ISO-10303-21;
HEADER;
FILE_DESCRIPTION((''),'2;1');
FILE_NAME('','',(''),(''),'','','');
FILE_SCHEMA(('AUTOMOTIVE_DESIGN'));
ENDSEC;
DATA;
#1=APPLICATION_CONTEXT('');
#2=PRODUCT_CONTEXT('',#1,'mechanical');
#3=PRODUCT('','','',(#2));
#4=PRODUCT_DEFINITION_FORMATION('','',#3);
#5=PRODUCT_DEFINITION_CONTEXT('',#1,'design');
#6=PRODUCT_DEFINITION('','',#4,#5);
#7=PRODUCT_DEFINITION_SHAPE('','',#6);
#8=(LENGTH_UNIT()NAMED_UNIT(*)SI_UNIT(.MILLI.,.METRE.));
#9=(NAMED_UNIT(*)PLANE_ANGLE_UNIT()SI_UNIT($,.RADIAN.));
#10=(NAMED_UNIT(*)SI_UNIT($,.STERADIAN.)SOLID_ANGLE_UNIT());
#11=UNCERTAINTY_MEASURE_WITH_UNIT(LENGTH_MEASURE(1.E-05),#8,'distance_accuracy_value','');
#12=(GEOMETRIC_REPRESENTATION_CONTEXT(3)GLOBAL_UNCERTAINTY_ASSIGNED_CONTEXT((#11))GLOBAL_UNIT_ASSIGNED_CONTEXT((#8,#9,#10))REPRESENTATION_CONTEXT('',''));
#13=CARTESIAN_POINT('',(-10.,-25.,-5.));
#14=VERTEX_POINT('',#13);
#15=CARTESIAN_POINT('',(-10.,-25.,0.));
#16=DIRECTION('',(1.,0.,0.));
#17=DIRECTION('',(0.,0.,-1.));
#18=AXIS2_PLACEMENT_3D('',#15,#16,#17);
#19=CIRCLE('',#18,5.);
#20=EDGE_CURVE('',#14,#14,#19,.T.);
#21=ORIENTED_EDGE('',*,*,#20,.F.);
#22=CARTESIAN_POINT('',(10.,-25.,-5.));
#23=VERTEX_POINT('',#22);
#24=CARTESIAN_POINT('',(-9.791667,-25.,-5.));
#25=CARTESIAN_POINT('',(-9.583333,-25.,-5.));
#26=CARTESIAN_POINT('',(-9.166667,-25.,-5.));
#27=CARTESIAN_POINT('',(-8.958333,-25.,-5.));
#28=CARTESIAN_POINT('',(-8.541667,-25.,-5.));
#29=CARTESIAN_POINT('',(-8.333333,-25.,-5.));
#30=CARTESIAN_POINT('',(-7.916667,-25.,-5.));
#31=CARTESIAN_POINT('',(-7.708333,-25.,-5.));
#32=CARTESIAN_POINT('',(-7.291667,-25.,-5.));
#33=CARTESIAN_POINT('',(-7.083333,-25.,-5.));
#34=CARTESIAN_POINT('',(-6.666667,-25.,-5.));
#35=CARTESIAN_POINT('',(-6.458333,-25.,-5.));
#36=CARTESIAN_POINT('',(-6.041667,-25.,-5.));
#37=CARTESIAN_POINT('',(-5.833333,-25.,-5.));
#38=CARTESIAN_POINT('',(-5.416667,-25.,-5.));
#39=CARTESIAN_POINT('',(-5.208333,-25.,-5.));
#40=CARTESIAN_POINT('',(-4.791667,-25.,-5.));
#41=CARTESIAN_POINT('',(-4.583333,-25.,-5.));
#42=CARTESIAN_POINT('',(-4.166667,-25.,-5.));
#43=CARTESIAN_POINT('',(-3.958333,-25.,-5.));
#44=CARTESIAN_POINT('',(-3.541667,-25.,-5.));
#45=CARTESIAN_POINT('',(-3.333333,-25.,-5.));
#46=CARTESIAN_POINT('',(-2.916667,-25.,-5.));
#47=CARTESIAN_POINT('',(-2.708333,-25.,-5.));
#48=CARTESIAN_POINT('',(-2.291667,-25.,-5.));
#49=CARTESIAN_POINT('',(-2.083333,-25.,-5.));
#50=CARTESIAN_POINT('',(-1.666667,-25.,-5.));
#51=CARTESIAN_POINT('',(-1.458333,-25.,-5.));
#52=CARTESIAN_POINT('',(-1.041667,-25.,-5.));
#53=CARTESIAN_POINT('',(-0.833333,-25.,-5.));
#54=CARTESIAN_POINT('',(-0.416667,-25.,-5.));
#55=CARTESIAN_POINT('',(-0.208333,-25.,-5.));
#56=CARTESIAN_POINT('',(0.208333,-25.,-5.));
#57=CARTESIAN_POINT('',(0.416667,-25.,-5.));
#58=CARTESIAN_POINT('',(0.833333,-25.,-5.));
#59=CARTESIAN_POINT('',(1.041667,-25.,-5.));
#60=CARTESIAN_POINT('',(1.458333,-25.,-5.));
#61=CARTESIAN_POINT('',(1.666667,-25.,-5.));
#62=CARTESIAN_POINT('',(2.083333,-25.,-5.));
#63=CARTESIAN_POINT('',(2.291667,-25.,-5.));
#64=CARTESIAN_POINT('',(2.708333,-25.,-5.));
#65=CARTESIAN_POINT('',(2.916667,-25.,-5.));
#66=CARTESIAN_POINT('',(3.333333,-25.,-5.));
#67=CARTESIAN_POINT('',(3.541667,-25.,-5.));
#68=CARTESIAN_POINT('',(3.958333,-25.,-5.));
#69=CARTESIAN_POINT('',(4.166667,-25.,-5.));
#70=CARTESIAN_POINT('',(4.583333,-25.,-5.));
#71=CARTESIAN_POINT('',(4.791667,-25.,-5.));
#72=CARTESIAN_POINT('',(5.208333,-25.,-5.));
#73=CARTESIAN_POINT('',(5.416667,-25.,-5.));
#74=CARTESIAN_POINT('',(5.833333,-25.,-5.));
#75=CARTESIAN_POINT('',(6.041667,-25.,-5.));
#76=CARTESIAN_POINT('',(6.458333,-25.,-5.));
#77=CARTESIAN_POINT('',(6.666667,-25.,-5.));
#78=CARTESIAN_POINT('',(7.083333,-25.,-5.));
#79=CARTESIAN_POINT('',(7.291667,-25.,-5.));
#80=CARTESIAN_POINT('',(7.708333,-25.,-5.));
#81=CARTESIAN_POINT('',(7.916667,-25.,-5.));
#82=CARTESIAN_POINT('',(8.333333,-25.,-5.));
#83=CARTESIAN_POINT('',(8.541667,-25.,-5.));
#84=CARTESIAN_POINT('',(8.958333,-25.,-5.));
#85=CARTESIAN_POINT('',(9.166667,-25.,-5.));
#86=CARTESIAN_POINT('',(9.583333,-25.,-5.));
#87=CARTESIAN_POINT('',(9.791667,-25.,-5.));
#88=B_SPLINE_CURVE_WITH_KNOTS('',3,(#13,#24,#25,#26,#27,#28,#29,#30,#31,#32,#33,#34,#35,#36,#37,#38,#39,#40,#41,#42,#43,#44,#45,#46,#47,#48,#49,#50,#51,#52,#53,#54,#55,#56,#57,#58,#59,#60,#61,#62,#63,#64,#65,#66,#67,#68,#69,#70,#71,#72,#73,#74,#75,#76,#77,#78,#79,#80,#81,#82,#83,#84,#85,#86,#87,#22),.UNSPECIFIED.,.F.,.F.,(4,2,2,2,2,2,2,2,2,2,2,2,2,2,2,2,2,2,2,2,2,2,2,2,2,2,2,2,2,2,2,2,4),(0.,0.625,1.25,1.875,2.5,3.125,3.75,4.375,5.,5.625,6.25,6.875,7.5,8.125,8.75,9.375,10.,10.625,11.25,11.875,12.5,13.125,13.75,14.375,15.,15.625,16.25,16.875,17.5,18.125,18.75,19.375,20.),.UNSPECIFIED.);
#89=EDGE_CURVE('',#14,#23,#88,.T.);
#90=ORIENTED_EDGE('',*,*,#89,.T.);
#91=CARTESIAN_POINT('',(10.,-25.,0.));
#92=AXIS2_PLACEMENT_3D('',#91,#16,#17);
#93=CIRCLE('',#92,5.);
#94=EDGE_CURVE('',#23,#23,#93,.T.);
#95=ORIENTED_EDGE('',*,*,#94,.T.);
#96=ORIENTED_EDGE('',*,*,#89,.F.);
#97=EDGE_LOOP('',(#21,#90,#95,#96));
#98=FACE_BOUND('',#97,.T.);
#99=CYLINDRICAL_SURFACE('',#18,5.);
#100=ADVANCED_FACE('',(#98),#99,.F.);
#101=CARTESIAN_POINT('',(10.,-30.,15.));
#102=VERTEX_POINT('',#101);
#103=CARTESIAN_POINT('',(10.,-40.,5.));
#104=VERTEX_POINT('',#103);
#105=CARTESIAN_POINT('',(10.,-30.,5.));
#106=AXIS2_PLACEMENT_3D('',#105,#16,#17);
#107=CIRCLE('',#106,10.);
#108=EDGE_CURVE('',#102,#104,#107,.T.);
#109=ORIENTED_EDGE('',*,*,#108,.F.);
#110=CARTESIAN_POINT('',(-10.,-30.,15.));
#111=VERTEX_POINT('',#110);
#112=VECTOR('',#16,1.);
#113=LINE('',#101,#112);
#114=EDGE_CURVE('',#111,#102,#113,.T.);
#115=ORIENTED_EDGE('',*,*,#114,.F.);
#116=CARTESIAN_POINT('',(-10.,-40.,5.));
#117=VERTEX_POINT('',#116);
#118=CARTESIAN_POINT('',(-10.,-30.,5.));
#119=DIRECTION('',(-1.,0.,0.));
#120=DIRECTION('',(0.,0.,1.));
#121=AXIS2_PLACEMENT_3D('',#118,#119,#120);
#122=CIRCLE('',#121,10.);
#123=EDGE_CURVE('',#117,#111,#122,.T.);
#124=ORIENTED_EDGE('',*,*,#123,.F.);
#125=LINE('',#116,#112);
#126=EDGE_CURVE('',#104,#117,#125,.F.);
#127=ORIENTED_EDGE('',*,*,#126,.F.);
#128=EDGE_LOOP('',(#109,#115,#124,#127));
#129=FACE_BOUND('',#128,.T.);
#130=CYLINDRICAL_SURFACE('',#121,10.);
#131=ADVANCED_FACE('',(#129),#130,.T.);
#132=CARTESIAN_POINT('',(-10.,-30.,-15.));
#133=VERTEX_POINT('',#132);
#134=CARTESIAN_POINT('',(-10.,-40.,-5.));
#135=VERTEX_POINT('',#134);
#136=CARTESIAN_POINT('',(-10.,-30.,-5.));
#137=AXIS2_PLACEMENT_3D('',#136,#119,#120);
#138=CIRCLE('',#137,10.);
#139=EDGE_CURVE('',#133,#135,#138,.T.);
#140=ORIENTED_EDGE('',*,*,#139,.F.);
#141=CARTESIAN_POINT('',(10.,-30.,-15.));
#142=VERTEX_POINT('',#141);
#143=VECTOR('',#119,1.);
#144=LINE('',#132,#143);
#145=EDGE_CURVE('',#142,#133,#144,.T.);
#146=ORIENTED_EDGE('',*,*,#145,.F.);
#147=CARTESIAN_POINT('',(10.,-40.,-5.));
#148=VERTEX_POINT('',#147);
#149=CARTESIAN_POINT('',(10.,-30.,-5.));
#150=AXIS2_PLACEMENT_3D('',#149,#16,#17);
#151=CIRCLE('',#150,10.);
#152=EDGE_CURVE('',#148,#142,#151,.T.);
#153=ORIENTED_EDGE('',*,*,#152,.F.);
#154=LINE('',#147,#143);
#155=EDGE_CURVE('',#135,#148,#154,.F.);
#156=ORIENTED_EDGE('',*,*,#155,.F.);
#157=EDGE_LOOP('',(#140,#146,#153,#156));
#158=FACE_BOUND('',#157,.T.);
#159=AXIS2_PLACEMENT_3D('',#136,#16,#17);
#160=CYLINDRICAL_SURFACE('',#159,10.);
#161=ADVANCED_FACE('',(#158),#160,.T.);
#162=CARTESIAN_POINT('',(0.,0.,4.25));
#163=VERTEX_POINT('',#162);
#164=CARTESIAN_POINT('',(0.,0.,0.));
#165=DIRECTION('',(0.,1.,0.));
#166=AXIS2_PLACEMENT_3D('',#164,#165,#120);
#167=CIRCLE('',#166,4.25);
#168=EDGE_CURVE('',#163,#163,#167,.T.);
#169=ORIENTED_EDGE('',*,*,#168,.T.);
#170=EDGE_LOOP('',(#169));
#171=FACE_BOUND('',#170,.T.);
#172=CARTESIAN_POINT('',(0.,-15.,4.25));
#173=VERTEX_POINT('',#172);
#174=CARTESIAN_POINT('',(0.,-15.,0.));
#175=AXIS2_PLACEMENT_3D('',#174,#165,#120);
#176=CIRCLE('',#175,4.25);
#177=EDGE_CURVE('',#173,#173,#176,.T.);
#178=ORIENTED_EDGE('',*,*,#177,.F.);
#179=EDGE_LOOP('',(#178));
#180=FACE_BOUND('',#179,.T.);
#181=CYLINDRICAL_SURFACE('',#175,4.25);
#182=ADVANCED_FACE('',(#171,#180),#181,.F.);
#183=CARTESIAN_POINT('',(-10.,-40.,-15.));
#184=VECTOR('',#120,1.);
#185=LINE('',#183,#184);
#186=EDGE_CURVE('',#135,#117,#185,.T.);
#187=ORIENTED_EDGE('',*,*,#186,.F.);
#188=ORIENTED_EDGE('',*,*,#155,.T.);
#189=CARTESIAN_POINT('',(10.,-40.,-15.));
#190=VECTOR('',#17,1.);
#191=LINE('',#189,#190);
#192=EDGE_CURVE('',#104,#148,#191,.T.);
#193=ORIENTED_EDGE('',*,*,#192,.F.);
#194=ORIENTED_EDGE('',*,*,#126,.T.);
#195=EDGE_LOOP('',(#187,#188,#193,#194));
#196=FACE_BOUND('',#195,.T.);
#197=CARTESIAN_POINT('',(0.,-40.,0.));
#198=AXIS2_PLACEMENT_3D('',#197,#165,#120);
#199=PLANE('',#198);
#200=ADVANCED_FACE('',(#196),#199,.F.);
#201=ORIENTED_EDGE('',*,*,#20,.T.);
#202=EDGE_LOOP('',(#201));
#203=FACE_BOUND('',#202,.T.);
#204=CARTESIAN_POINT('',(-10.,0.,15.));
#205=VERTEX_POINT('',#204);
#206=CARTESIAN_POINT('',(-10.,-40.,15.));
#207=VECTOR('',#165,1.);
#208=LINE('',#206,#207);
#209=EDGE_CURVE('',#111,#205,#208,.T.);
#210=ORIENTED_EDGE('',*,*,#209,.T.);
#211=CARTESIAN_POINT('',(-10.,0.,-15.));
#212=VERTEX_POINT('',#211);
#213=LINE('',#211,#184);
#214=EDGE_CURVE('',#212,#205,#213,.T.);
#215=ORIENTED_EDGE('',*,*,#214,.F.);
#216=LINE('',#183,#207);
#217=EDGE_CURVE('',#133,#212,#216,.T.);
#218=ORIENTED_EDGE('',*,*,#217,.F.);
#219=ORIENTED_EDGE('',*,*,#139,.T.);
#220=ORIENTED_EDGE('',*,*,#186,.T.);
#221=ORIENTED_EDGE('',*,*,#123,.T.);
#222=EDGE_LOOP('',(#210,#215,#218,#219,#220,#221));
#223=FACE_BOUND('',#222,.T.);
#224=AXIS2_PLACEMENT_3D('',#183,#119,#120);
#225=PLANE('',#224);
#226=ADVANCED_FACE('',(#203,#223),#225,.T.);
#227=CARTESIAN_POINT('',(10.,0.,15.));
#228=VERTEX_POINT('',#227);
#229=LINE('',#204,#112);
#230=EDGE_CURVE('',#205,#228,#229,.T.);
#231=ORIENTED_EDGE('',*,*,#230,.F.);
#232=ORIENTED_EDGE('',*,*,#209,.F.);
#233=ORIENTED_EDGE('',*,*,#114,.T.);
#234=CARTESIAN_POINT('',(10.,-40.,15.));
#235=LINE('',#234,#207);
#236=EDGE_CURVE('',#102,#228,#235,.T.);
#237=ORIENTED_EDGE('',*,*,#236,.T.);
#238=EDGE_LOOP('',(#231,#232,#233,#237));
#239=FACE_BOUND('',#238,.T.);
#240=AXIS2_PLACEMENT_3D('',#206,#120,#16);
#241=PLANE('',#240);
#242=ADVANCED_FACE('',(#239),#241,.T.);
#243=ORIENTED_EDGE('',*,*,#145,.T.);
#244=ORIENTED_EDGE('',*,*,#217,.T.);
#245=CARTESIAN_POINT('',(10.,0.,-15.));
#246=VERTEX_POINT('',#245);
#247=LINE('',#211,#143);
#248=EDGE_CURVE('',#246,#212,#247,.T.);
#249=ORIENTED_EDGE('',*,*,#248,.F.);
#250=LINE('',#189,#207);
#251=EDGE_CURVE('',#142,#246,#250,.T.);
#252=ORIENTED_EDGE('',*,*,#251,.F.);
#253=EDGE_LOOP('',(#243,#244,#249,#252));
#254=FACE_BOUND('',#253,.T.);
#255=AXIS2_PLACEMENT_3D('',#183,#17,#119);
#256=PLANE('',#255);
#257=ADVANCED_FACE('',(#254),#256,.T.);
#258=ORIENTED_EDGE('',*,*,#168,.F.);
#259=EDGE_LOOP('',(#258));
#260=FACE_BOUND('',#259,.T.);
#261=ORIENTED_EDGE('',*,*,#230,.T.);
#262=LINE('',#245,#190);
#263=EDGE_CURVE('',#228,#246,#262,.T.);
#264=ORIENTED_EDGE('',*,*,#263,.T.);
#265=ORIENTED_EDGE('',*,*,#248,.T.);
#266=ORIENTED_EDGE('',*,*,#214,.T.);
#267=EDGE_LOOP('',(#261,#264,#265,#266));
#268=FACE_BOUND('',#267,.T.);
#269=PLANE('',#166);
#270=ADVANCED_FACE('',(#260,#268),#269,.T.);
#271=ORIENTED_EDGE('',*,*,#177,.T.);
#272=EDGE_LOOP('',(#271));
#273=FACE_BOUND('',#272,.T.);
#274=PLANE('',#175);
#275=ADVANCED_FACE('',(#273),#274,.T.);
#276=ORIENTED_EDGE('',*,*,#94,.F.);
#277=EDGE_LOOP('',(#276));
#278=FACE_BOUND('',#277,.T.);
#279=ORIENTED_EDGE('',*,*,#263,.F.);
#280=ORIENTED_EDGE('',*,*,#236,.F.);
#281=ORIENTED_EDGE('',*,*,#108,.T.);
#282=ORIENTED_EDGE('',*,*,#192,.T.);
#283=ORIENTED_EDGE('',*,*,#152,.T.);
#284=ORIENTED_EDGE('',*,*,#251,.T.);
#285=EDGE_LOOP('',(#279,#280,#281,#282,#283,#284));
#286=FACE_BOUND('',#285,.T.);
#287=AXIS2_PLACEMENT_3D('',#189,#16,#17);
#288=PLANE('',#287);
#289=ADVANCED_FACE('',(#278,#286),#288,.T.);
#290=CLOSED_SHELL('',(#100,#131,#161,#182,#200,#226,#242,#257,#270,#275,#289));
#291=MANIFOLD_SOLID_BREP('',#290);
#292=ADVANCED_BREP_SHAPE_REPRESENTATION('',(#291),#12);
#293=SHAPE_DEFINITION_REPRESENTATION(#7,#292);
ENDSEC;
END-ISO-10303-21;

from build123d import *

# Parameters (mm, degrees)
SKETCH1_W               = 20
SKETCH1_H               = 30
BOSS_EXTRUDE1_DEPTH     = 40
SKETCH2_R               = 4.25
CUT_EXTRUDE1_DEPTH      = 15
CUT_EXTRUDE2_DEPTH      = 44.874821937
CUT_EXTRUDE2_DEPTH_BACK = 44.874821937
SKETCH11_R              = 5
FILLET1_R               = 10


with BuildPart() as part:
    # Sketch1 → Boss-Extrude1 (new body)
    with BuildSketch(Plane(origin=(0, 0, 0), x_dir=(1, 0, 0), z_dir=(0, 1, 0))):
        Rectangle(SKETCH1_W, SKETCH1_H)
    extrude(amount=-BOSS_EXTRUDE1_DEPTH)

    # Sketch2 → Cut-Extrude1 (cut)
    with BuildSketch(Plane(origin=(0, 0, 0), x_dir=(1, 0, 0), z_dir=(0, 1, 0))):
        with Locations(Location((0, 0, 0), (0, 0, 270))):
            Circle(SKETCH2_R)
    extrude(amount=-CUT_EXTRUDE1_DEPTH, mode=Mode.SUBTRACT)

    # Sketch11 → Cut-Extrude2 (cut, two sides: drawn at the far end of the back side and taken through both)
    with BuildSketch(Plane(origin=(0, 0, 0), x_dir=(0, 0, -1), z_dir=(1, 0, 0)).offset(-CUT_EXTRUDE2_DEPTH_BACK)):
        with Locations((0, -25)):
            Circle(SKETCH11_R)
    extrude(amount=CUT_EXTRUDE2_DEPTH + CUT_EXTRUDE2_DEPTH_BACK, mode=Mode.SUBTRACT)

    # Fillet1
    fillet1_edges = [part.edges().sort_by_distance(p)[0] for p in [
        (0, -40, 15),
        (0, -40, -15),
    ]]
    fillet(fillet1_edges, radius=FILLET1_R)


solid = part.part
